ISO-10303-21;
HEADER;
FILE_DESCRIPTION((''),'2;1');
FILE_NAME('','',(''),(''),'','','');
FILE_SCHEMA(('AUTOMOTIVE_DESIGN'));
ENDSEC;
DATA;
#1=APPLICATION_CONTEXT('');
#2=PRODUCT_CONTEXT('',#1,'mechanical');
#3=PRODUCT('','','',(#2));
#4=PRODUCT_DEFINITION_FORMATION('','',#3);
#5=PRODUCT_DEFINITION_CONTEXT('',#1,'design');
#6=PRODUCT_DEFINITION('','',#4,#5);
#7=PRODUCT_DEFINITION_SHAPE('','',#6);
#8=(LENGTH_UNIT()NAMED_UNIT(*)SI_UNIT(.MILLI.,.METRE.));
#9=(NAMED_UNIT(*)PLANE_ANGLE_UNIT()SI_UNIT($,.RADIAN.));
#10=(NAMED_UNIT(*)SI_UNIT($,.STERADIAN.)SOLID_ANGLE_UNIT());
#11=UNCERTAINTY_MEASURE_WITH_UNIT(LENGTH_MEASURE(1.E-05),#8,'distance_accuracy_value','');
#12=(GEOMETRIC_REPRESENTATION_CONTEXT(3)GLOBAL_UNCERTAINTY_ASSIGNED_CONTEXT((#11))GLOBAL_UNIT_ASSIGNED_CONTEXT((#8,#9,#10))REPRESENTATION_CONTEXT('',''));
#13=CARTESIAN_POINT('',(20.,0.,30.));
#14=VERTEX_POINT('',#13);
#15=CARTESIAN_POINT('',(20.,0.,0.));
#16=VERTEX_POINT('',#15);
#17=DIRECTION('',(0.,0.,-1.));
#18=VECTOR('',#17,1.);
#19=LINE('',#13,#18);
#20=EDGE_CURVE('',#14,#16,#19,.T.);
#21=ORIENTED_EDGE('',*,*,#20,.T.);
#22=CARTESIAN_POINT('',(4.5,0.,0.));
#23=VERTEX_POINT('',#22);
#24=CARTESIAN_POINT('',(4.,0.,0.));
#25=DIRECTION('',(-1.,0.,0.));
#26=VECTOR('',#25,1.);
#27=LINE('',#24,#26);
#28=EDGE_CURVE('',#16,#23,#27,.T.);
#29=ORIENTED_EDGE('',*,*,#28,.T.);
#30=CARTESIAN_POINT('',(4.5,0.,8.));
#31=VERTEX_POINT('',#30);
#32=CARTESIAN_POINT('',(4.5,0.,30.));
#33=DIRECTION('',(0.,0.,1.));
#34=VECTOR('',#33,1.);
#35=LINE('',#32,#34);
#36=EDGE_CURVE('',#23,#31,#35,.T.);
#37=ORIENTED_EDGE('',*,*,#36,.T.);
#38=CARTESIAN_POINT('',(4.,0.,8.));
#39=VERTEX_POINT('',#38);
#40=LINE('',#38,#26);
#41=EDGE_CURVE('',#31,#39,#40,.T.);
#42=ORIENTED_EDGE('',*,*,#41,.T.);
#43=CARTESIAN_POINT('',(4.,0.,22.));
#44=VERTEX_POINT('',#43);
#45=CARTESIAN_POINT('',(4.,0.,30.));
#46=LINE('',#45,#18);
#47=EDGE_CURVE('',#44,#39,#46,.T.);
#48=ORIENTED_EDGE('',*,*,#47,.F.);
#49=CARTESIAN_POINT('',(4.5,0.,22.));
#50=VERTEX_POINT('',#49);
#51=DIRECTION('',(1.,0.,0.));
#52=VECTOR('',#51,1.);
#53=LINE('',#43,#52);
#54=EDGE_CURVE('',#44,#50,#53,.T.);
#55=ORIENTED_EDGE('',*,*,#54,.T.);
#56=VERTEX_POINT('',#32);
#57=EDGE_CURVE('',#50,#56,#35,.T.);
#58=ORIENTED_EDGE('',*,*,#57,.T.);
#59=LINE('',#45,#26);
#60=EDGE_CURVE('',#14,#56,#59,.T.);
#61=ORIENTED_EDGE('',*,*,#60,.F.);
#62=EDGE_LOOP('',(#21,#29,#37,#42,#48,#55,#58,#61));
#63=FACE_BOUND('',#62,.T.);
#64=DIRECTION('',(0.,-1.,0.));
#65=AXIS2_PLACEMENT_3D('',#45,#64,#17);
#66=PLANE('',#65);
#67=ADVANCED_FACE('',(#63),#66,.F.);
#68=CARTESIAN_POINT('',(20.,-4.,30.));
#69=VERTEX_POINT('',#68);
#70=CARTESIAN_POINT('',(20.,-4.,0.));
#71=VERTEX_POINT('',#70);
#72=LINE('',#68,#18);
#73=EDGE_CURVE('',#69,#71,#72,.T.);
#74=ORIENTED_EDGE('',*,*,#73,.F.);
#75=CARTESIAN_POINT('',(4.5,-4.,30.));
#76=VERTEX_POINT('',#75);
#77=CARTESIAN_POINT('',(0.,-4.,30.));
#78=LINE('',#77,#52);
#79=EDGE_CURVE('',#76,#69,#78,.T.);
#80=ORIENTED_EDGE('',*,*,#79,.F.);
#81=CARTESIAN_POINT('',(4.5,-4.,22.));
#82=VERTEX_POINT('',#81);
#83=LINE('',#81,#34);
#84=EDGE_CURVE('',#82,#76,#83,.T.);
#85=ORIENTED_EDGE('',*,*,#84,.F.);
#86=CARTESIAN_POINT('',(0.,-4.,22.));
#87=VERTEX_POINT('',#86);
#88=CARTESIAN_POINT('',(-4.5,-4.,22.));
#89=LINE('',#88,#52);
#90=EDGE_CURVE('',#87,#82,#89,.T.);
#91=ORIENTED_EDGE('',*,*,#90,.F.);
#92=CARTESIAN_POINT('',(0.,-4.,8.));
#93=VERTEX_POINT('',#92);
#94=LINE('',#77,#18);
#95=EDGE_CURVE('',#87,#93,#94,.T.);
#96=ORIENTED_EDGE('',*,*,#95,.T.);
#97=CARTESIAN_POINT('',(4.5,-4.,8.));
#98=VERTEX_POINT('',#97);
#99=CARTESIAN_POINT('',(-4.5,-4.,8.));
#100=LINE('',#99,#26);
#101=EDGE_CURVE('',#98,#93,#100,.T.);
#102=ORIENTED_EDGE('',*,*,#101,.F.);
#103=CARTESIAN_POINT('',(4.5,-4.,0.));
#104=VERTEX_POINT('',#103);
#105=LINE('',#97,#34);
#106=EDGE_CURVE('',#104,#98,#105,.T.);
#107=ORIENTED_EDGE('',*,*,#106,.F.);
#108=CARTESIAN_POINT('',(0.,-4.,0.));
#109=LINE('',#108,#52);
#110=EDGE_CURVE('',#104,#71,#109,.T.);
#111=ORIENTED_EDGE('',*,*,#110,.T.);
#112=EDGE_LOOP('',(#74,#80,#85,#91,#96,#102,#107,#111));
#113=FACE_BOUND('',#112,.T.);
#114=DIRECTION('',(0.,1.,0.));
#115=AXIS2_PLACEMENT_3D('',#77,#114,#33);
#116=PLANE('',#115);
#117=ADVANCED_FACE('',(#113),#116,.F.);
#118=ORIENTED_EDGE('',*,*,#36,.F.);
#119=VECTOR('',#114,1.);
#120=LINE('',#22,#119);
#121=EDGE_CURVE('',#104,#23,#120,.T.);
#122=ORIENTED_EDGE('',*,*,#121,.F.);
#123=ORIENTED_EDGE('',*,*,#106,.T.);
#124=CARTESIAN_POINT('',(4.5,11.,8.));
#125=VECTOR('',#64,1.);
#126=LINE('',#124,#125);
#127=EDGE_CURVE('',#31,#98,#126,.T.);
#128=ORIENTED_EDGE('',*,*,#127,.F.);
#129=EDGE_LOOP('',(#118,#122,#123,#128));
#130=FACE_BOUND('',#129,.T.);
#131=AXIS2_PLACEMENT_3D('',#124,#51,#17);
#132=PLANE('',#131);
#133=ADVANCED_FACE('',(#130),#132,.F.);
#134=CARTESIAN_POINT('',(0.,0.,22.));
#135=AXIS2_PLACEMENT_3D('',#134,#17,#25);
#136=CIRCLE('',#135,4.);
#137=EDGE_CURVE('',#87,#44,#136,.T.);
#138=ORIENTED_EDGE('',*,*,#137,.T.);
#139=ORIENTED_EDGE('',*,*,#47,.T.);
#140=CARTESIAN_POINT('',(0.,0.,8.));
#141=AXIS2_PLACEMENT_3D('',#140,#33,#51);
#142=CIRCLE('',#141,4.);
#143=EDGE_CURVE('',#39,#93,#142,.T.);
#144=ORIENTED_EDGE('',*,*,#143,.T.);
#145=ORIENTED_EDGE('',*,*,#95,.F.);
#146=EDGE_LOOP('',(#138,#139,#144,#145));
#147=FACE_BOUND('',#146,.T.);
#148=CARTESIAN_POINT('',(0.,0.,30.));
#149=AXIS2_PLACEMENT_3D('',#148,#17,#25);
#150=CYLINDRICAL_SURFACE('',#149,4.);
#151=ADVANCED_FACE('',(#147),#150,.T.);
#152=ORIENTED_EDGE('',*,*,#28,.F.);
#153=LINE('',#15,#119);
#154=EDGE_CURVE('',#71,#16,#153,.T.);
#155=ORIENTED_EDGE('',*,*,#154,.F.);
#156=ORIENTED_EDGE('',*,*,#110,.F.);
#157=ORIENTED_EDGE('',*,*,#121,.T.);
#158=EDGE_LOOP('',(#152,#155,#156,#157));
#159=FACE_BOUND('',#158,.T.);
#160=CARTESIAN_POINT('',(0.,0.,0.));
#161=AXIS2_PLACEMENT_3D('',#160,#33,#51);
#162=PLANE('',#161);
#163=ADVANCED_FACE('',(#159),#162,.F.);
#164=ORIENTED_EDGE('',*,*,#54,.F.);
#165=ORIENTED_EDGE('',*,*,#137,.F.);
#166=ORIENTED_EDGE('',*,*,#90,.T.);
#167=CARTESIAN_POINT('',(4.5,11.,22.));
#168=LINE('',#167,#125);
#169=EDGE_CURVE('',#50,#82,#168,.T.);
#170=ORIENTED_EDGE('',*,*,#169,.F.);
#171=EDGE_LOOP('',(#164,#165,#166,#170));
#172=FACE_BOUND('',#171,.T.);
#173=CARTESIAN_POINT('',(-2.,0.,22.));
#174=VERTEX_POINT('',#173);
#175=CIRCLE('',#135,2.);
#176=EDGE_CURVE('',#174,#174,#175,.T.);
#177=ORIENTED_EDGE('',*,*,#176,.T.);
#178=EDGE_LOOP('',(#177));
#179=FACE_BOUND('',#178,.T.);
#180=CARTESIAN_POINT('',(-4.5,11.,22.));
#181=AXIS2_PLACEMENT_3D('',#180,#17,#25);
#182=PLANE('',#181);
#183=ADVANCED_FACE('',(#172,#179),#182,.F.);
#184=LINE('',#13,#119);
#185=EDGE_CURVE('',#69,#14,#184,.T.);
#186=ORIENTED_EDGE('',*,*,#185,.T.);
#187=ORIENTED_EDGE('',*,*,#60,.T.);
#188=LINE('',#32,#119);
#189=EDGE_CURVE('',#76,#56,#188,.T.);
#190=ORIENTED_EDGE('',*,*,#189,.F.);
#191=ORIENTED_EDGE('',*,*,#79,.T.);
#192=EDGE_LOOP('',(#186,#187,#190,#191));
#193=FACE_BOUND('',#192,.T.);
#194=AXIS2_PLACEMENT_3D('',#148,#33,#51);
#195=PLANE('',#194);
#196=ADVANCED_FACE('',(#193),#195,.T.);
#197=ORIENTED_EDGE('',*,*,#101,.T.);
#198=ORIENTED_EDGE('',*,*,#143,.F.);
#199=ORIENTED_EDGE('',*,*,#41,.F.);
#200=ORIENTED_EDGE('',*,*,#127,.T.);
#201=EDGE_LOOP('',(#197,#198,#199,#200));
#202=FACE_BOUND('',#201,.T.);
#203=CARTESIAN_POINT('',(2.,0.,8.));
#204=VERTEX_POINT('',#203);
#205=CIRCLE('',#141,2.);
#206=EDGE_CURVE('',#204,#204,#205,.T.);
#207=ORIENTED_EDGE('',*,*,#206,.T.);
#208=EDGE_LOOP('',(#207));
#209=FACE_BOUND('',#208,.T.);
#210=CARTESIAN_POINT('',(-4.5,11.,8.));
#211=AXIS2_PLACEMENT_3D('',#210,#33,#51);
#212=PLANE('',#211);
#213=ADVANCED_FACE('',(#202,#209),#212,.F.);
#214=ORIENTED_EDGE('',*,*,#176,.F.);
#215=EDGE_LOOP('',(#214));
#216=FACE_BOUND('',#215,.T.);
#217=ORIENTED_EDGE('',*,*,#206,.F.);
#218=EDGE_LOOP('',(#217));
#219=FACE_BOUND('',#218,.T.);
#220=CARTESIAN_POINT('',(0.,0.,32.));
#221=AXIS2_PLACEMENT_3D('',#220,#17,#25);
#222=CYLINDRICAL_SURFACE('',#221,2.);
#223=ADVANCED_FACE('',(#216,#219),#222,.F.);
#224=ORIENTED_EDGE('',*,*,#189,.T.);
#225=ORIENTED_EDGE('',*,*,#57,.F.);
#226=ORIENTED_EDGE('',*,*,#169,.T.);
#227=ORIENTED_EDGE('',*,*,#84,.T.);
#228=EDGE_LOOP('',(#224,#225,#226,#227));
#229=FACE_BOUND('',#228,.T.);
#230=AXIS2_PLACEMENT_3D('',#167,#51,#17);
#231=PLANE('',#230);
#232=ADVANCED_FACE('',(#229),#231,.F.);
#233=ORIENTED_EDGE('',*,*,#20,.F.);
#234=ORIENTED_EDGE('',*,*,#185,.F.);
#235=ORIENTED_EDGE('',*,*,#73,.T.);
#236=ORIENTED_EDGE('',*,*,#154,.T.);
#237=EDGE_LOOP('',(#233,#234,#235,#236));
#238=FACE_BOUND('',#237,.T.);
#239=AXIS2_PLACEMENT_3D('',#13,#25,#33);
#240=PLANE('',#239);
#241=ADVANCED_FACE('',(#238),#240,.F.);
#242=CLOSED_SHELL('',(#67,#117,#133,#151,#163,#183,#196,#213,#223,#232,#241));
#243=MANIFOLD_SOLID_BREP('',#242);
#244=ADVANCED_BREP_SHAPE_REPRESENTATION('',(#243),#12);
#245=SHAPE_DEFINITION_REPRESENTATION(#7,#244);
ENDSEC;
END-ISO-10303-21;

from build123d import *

# Parameters (mm, degrees)
EXTRUDE_1_DEPTH     = 30
SKETCH_2_W          = 9
SKETCH_2_H          = 8.937793365
SKETCH_2_H_2        = 10.067856953
CUT_EXTRUDE_1_DEPTH = 15
SKETCH_3_R          = 2
CUT_EXTRUDE_2_DEPTH = 32


with BuildPart() as part:
    # 草图1 → 凸台-拉伸1 (new body)
    with BuildSketch(Plane.XY):
        with BuildLine():
            Line((4, 0), (20, 0))
            Line((20, 0), (20, -4))
            Line((20, -4), (0, -4))
            ThreePointArc((0, -4), (-2.828427125, 2.828427125), (4, 0))
        make_face()
    extrude(amount=EXTRUDE_1_DEPTH)

    # 草图2 → 切除-拉伸1 (cut)
    with BuildSketch(Plane.XZ.offset(4)):
        with Locations((0, 26.468896683)):
            Rectangle(SKETCH_2_W, SKETCH_2_H)
        with Locations((0, 2.966071524)):
            Rectangle(SKETCH_2_W, SKETCH_2_H_2)
    extrude(amount=-CUT_EXTRUDE_1_DEPTH, mode=Mode.SUBTRACT)

    # 草图3 → 切除-拉伸2 (cut)
    with BuildSketch(Plane(origin=(0, 0, 0), x_dir=(-1, 0, 0), z_dir=(0, 0, -1))):
        Circle(SKETCH_3_R)
    extrude(amount=-CUT_EXTRUDE_2_DEPTH, mode=Mode.SUBTRACT)


solid = part.part
